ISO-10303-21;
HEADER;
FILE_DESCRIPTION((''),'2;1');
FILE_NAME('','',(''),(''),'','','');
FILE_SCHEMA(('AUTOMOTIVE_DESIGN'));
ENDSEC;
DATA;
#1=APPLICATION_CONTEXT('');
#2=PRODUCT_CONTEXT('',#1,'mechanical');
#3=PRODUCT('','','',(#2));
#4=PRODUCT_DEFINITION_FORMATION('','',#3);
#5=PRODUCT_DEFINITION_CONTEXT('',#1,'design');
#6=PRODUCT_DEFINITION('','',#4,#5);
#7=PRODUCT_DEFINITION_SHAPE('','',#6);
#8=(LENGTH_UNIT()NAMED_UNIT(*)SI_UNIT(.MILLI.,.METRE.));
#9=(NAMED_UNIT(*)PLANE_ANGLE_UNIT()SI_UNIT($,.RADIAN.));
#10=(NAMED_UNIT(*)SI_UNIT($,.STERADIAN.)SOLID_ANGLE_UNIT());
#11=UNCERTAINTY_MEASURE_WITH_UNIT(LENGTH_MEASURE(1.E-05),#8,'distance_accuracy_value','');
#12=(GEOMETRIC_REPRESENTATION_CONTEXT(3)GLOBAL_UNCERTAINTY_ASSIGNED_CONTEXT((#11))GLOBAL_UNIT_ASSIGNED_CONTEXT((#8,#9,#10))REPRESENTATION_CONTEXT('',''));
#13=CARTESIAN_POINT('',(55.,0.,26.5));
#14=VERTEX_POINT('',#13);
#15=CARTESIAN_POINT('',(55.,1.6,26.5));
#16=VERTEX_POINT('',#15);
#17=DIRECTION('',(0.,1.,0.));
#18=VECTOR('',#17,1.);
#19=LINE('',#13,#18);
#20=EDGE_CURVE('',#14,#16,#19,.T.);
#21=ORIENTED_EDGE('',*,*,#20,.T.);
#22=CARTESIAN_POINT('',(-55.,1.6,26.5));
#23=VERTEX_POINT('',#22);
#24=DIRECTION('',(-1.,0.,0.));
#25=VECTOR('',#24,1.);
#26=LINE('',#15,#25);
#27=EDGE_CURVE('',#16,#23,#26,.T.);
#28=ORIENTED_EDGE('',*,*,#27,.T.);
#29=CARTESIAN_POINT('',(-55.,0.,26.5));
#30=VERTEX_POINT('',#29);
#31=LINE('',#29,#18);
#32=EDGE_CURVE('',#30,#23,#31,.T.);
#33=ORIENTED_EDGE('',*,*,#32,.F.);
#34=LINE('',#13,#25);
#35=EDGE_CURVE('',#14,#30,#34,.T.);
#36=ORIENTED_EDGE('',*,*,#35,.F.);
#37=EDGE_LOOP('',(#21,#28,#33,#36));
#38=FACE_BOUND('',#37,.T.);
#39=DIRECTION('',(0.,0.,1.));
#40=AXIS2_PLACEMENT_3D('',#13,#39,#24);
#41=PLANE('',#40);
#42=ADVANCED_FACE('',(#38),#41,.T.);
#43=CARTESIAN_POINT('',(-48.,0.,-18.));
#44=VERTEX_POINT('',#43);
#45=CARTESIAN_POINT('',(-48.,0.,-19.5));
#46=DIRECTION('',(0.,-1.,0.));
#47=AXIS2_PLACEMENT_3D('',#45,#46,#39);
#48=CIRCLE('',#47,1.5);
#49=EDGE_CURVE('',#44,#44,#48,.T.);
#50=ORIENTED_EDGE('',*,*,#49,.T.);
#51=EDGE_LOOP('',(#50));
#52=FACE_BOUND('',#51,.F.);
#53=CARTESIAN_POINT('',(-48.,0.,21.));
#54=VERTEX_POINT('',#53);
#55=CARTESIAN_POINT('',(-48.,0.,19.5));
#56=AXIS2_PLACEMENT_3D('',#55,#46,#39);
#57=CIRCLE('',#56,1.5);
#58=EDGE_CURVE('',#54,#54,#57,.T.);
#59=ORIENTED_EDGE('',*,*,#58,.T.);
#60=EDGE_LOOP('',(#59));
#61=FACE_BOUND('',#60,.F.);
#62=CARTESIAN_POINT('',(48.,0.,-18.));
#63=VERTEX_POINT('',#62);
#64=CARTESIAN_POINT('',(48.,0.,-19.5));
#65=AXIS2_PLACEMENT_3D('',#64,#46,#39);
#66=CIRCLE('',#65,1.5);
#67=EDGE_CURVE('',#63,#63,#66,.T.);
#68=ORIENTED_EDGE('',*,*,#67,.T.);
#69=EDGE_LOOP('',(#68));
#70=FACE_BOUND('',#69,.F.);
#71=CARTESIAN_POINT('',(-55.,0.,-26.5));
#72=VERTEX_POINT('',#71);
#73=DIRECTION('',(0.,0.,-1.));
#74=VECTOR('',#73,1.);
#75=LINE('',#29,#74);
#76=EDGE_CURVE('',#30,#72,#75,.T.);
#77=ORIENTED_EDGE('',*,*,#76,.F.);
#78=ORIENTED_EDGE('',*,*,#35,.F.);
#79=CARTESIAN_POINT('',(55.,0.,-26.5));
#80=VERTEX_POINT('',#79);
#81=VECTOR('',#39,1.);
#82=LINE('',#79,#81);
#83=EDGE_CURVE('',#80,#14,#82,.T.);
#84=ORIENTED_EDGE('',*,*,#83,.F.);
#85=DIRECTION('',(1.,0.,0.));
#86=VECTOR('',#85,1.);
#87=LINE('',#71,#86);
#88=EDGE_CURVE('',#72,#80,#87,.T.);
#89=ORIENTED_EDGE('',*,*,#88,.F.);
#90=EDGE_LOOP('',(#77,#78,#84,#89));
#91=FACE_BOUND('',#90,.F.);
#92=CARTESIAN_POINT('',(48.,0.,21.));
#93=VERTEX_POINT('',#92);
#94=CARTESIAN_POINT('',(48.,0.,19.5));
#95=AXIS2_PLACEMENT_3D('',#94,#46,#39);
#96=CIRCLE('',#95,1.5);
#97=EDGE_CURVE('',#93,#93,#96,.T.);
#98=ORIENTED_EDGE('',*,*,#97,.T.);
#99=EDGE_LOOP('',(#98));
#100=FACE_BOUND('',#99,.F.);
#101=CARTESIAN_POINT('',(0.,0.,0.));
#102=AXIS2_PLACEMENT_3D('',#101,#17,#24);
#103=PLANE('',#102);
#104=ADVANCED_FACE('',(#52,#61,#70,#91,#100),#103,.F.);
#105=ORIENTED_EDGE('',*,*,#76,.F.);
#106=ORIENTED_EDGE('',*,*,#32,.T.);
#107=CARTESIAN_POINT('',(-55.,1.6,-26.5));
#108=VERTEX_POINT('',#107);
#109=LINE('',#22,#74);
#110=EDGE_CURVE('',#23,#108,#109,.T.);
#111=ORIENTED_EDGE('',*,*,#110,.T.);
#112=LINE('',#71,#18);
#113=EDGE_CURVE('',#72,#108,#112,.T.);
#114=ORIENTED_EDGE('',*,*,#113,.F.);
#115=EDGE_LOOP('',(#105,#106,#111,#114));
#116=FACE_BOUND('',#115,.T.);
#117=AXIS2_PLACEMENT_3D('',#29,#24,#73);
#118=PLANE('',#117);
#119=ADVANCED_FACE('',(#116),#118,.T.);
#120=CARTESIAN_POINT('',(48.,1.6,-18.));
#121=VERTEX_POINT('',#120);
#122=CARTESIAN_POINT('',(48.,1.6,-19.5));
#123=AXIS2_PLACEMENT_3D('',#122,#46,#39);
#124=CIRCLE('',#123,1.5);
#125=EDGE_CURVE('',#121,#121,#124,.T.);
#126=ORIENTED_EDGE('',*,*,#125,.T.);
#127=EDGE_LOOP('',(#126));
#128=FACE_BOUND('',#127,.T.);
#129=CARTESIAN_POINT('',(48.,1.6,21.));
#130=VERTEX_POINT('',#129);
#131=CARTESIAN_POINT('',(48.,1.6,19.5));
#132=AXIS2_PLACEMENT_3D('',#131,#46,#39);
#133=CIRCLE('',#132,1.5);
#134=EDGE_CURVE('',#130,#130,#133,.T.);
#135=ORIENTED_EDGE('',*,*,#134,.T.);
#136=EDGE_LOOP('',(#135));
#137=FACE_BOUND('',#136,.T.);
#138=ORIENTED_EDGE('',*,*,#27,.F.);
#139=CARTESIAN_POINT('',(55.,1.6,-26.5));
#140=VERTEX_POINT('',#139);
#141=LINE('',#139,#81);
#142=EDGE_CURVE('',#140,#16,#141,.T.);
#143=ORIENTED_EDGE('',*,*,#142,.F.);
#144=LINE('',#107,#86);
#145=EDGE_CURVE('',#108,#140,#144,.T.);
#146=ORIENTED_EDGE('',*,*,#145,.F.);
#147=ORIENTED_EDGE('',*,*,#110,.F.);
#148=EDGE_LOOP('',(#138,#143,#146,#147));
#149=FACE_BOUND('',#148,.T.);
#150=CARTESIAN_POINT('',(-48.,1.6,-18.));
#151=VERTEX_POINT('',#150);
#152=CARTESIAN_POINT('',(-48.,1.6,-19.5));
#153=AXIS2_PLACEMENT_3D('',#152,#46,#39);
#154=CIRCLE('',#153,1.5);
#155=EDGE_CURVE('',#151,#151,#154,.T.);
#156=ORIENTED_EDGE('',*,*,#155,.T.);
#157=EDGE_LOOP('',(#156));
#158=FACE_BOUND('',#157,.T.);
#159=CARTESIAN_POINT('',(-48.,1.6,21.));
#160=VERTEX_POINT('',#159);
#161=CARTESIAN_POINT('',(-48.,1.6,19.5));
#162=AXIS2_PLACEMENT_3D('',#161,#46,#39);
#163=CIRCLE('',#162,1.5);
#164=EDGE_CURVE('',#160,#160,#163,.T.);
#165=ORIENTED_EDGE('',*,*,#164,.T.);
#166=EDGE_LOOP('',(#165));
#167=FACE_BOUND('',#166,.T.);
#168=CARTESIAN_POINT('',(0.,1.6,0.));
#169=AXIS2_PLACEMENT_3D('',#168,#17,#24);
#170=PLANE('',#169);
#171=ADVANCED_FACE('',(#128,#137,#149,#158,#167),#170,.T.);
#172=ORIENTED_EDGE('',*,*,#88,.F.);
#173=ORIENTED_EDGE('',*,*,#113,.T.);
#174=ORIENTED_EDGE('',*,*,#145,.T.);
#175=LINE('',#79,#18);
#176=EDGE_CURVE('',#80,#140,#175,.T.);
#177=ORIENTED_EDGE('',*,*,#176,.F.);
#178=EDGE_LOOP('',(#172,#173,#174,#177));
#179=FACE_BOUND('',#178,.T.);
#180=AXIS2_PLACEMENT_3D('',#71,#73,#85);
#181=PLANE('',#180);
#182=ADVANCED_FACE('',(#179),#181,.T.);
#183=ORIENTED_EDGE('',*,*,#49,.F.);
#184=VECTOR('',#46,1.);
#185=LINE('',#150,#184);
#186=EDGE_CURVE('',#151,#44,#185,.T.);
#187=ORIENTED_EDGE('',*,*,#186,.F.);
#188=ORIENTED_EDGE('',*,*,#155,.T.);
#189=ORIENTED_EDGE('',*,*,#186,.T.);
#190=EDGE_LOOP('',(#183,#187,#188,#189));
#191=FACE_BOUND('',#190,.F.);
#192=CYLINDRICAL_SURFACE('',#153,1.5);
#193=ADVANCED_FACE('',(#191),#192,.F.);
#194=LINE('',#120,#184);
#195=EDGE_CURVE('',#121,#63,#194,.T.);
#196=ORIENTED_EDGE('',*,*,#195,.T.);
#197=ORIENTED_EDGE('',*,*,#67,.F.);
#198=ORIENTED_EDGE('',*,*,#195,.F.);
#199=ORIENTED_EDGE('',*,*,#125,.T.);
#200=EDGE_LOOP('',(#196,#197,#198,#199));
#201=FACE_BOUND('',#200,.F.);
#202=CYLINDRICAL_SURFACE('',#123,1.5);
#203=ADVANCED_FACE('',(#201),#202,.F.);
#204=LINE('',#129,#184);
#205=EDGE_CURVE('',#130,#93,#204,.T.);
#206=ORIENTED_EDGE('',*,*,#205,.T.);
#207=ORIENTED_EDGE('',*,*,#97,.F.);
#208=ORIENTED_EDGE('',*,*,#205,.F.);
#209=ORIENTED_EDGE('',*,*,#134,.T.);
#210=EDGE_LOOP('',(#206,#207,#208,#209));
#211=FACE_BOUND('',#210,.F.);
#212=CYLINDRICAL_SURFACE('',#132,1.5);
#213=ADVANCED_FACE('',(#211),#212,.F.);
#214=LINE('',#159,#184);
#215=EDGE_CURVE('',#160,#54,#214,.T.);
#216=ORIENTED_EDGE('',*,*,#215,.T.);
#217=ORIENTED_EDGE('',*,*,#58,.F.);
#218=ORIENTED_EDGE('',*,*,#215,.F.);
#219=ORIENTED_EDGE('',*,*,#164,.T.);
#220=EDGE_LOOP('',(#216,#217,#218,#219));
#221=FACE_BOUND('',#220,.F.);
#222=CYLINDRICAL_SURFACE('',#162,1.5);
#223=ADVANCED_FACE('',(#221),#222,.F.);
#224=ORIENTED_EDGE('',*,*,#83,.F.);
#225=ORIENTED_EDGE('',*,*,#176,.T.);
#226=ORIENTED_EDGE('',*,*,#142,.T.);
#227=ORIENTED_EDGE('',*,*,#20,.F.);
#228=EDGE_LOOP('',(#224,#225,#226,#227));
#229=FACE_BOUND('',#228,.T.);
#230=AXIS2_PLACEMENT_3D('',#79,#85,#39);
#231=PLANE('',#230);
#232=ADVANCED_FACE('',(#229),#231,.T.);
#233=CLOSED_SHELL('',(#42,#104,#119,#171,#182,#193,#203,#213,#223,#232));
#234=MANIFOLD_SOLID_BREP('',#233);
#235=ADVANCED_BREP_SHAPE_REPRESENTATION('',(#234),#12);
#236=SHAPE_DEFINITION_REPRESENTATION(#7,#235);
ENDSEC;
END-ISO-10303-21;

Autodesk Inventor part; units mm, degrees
ref_plane "YZ Plane" through (0, 0, 0) normal (1, 0, 0) x (0, 1, 0)
ref_plane "XZ Plane" through (0, 0, 0) normal (0, 1, 0) x (-1, 0, 0)
ref_plane "XY Plane" through (0, 0, 0) normal (0, 0, 1) x (1, 0, 0)
sketch "Sketch1" plane through (0, 0, 0) normal (0, 1, 0) x (-1, 0, 0)
  line L0 (55, -26.5) -> (-55, -26.5)
  line L1 (-55, -26.5) -> (-55, 26.5)
  line L2 (-55, 26.5) -> (55, 26.5)
  line L3 (55, 26.5) -> (55, -26.5)
  point P0 (0, 0)
  point P1 (0, -26.5)
  point P2 (55, 0)
  dimension "d0" = 53
  dimension "d1" = 110
extrude "Extrusion1" add sketch "Sketch1" along normal blind 1.6
sketch "Sketch2" plane through (0, 1.6, 0) normal (0, 1, 0) x (1, 0, 0)
  line L0 (55, 26.5) -> (-55, 26.5) projected
  line L1 (-55, 26.5) -> (-55, -26.5) projected
  line L2 (-55, -26.5) -> (55, -26.5) projected
  line L3 (55, -26.5) -> (55, 26.5) projected
  point P0 (0, 0)
  point P1 (-48, -19.5)
  point P2 (-48, 19.5)
  point P3 (48, -19.5)
  point P4 (48, 19.5)
  dimension "d4" = 7
  dimension "d5" = 7
  dimension "d6" = 7
  dimension "d7" = 7
hole "Hole1" at (-48, 1.6, 19.5) at (-48, 1.6, -19.5) at (48, 1.6, 19.5) at (48, 1.6, -19.5) direction (0, -1, 0) diameter 3 end through all
equation "\"d5\" = d4"
equation "\"d6\" = d4"
equation "\"d7\" = d4"
properties part number "Heater_pcb"
